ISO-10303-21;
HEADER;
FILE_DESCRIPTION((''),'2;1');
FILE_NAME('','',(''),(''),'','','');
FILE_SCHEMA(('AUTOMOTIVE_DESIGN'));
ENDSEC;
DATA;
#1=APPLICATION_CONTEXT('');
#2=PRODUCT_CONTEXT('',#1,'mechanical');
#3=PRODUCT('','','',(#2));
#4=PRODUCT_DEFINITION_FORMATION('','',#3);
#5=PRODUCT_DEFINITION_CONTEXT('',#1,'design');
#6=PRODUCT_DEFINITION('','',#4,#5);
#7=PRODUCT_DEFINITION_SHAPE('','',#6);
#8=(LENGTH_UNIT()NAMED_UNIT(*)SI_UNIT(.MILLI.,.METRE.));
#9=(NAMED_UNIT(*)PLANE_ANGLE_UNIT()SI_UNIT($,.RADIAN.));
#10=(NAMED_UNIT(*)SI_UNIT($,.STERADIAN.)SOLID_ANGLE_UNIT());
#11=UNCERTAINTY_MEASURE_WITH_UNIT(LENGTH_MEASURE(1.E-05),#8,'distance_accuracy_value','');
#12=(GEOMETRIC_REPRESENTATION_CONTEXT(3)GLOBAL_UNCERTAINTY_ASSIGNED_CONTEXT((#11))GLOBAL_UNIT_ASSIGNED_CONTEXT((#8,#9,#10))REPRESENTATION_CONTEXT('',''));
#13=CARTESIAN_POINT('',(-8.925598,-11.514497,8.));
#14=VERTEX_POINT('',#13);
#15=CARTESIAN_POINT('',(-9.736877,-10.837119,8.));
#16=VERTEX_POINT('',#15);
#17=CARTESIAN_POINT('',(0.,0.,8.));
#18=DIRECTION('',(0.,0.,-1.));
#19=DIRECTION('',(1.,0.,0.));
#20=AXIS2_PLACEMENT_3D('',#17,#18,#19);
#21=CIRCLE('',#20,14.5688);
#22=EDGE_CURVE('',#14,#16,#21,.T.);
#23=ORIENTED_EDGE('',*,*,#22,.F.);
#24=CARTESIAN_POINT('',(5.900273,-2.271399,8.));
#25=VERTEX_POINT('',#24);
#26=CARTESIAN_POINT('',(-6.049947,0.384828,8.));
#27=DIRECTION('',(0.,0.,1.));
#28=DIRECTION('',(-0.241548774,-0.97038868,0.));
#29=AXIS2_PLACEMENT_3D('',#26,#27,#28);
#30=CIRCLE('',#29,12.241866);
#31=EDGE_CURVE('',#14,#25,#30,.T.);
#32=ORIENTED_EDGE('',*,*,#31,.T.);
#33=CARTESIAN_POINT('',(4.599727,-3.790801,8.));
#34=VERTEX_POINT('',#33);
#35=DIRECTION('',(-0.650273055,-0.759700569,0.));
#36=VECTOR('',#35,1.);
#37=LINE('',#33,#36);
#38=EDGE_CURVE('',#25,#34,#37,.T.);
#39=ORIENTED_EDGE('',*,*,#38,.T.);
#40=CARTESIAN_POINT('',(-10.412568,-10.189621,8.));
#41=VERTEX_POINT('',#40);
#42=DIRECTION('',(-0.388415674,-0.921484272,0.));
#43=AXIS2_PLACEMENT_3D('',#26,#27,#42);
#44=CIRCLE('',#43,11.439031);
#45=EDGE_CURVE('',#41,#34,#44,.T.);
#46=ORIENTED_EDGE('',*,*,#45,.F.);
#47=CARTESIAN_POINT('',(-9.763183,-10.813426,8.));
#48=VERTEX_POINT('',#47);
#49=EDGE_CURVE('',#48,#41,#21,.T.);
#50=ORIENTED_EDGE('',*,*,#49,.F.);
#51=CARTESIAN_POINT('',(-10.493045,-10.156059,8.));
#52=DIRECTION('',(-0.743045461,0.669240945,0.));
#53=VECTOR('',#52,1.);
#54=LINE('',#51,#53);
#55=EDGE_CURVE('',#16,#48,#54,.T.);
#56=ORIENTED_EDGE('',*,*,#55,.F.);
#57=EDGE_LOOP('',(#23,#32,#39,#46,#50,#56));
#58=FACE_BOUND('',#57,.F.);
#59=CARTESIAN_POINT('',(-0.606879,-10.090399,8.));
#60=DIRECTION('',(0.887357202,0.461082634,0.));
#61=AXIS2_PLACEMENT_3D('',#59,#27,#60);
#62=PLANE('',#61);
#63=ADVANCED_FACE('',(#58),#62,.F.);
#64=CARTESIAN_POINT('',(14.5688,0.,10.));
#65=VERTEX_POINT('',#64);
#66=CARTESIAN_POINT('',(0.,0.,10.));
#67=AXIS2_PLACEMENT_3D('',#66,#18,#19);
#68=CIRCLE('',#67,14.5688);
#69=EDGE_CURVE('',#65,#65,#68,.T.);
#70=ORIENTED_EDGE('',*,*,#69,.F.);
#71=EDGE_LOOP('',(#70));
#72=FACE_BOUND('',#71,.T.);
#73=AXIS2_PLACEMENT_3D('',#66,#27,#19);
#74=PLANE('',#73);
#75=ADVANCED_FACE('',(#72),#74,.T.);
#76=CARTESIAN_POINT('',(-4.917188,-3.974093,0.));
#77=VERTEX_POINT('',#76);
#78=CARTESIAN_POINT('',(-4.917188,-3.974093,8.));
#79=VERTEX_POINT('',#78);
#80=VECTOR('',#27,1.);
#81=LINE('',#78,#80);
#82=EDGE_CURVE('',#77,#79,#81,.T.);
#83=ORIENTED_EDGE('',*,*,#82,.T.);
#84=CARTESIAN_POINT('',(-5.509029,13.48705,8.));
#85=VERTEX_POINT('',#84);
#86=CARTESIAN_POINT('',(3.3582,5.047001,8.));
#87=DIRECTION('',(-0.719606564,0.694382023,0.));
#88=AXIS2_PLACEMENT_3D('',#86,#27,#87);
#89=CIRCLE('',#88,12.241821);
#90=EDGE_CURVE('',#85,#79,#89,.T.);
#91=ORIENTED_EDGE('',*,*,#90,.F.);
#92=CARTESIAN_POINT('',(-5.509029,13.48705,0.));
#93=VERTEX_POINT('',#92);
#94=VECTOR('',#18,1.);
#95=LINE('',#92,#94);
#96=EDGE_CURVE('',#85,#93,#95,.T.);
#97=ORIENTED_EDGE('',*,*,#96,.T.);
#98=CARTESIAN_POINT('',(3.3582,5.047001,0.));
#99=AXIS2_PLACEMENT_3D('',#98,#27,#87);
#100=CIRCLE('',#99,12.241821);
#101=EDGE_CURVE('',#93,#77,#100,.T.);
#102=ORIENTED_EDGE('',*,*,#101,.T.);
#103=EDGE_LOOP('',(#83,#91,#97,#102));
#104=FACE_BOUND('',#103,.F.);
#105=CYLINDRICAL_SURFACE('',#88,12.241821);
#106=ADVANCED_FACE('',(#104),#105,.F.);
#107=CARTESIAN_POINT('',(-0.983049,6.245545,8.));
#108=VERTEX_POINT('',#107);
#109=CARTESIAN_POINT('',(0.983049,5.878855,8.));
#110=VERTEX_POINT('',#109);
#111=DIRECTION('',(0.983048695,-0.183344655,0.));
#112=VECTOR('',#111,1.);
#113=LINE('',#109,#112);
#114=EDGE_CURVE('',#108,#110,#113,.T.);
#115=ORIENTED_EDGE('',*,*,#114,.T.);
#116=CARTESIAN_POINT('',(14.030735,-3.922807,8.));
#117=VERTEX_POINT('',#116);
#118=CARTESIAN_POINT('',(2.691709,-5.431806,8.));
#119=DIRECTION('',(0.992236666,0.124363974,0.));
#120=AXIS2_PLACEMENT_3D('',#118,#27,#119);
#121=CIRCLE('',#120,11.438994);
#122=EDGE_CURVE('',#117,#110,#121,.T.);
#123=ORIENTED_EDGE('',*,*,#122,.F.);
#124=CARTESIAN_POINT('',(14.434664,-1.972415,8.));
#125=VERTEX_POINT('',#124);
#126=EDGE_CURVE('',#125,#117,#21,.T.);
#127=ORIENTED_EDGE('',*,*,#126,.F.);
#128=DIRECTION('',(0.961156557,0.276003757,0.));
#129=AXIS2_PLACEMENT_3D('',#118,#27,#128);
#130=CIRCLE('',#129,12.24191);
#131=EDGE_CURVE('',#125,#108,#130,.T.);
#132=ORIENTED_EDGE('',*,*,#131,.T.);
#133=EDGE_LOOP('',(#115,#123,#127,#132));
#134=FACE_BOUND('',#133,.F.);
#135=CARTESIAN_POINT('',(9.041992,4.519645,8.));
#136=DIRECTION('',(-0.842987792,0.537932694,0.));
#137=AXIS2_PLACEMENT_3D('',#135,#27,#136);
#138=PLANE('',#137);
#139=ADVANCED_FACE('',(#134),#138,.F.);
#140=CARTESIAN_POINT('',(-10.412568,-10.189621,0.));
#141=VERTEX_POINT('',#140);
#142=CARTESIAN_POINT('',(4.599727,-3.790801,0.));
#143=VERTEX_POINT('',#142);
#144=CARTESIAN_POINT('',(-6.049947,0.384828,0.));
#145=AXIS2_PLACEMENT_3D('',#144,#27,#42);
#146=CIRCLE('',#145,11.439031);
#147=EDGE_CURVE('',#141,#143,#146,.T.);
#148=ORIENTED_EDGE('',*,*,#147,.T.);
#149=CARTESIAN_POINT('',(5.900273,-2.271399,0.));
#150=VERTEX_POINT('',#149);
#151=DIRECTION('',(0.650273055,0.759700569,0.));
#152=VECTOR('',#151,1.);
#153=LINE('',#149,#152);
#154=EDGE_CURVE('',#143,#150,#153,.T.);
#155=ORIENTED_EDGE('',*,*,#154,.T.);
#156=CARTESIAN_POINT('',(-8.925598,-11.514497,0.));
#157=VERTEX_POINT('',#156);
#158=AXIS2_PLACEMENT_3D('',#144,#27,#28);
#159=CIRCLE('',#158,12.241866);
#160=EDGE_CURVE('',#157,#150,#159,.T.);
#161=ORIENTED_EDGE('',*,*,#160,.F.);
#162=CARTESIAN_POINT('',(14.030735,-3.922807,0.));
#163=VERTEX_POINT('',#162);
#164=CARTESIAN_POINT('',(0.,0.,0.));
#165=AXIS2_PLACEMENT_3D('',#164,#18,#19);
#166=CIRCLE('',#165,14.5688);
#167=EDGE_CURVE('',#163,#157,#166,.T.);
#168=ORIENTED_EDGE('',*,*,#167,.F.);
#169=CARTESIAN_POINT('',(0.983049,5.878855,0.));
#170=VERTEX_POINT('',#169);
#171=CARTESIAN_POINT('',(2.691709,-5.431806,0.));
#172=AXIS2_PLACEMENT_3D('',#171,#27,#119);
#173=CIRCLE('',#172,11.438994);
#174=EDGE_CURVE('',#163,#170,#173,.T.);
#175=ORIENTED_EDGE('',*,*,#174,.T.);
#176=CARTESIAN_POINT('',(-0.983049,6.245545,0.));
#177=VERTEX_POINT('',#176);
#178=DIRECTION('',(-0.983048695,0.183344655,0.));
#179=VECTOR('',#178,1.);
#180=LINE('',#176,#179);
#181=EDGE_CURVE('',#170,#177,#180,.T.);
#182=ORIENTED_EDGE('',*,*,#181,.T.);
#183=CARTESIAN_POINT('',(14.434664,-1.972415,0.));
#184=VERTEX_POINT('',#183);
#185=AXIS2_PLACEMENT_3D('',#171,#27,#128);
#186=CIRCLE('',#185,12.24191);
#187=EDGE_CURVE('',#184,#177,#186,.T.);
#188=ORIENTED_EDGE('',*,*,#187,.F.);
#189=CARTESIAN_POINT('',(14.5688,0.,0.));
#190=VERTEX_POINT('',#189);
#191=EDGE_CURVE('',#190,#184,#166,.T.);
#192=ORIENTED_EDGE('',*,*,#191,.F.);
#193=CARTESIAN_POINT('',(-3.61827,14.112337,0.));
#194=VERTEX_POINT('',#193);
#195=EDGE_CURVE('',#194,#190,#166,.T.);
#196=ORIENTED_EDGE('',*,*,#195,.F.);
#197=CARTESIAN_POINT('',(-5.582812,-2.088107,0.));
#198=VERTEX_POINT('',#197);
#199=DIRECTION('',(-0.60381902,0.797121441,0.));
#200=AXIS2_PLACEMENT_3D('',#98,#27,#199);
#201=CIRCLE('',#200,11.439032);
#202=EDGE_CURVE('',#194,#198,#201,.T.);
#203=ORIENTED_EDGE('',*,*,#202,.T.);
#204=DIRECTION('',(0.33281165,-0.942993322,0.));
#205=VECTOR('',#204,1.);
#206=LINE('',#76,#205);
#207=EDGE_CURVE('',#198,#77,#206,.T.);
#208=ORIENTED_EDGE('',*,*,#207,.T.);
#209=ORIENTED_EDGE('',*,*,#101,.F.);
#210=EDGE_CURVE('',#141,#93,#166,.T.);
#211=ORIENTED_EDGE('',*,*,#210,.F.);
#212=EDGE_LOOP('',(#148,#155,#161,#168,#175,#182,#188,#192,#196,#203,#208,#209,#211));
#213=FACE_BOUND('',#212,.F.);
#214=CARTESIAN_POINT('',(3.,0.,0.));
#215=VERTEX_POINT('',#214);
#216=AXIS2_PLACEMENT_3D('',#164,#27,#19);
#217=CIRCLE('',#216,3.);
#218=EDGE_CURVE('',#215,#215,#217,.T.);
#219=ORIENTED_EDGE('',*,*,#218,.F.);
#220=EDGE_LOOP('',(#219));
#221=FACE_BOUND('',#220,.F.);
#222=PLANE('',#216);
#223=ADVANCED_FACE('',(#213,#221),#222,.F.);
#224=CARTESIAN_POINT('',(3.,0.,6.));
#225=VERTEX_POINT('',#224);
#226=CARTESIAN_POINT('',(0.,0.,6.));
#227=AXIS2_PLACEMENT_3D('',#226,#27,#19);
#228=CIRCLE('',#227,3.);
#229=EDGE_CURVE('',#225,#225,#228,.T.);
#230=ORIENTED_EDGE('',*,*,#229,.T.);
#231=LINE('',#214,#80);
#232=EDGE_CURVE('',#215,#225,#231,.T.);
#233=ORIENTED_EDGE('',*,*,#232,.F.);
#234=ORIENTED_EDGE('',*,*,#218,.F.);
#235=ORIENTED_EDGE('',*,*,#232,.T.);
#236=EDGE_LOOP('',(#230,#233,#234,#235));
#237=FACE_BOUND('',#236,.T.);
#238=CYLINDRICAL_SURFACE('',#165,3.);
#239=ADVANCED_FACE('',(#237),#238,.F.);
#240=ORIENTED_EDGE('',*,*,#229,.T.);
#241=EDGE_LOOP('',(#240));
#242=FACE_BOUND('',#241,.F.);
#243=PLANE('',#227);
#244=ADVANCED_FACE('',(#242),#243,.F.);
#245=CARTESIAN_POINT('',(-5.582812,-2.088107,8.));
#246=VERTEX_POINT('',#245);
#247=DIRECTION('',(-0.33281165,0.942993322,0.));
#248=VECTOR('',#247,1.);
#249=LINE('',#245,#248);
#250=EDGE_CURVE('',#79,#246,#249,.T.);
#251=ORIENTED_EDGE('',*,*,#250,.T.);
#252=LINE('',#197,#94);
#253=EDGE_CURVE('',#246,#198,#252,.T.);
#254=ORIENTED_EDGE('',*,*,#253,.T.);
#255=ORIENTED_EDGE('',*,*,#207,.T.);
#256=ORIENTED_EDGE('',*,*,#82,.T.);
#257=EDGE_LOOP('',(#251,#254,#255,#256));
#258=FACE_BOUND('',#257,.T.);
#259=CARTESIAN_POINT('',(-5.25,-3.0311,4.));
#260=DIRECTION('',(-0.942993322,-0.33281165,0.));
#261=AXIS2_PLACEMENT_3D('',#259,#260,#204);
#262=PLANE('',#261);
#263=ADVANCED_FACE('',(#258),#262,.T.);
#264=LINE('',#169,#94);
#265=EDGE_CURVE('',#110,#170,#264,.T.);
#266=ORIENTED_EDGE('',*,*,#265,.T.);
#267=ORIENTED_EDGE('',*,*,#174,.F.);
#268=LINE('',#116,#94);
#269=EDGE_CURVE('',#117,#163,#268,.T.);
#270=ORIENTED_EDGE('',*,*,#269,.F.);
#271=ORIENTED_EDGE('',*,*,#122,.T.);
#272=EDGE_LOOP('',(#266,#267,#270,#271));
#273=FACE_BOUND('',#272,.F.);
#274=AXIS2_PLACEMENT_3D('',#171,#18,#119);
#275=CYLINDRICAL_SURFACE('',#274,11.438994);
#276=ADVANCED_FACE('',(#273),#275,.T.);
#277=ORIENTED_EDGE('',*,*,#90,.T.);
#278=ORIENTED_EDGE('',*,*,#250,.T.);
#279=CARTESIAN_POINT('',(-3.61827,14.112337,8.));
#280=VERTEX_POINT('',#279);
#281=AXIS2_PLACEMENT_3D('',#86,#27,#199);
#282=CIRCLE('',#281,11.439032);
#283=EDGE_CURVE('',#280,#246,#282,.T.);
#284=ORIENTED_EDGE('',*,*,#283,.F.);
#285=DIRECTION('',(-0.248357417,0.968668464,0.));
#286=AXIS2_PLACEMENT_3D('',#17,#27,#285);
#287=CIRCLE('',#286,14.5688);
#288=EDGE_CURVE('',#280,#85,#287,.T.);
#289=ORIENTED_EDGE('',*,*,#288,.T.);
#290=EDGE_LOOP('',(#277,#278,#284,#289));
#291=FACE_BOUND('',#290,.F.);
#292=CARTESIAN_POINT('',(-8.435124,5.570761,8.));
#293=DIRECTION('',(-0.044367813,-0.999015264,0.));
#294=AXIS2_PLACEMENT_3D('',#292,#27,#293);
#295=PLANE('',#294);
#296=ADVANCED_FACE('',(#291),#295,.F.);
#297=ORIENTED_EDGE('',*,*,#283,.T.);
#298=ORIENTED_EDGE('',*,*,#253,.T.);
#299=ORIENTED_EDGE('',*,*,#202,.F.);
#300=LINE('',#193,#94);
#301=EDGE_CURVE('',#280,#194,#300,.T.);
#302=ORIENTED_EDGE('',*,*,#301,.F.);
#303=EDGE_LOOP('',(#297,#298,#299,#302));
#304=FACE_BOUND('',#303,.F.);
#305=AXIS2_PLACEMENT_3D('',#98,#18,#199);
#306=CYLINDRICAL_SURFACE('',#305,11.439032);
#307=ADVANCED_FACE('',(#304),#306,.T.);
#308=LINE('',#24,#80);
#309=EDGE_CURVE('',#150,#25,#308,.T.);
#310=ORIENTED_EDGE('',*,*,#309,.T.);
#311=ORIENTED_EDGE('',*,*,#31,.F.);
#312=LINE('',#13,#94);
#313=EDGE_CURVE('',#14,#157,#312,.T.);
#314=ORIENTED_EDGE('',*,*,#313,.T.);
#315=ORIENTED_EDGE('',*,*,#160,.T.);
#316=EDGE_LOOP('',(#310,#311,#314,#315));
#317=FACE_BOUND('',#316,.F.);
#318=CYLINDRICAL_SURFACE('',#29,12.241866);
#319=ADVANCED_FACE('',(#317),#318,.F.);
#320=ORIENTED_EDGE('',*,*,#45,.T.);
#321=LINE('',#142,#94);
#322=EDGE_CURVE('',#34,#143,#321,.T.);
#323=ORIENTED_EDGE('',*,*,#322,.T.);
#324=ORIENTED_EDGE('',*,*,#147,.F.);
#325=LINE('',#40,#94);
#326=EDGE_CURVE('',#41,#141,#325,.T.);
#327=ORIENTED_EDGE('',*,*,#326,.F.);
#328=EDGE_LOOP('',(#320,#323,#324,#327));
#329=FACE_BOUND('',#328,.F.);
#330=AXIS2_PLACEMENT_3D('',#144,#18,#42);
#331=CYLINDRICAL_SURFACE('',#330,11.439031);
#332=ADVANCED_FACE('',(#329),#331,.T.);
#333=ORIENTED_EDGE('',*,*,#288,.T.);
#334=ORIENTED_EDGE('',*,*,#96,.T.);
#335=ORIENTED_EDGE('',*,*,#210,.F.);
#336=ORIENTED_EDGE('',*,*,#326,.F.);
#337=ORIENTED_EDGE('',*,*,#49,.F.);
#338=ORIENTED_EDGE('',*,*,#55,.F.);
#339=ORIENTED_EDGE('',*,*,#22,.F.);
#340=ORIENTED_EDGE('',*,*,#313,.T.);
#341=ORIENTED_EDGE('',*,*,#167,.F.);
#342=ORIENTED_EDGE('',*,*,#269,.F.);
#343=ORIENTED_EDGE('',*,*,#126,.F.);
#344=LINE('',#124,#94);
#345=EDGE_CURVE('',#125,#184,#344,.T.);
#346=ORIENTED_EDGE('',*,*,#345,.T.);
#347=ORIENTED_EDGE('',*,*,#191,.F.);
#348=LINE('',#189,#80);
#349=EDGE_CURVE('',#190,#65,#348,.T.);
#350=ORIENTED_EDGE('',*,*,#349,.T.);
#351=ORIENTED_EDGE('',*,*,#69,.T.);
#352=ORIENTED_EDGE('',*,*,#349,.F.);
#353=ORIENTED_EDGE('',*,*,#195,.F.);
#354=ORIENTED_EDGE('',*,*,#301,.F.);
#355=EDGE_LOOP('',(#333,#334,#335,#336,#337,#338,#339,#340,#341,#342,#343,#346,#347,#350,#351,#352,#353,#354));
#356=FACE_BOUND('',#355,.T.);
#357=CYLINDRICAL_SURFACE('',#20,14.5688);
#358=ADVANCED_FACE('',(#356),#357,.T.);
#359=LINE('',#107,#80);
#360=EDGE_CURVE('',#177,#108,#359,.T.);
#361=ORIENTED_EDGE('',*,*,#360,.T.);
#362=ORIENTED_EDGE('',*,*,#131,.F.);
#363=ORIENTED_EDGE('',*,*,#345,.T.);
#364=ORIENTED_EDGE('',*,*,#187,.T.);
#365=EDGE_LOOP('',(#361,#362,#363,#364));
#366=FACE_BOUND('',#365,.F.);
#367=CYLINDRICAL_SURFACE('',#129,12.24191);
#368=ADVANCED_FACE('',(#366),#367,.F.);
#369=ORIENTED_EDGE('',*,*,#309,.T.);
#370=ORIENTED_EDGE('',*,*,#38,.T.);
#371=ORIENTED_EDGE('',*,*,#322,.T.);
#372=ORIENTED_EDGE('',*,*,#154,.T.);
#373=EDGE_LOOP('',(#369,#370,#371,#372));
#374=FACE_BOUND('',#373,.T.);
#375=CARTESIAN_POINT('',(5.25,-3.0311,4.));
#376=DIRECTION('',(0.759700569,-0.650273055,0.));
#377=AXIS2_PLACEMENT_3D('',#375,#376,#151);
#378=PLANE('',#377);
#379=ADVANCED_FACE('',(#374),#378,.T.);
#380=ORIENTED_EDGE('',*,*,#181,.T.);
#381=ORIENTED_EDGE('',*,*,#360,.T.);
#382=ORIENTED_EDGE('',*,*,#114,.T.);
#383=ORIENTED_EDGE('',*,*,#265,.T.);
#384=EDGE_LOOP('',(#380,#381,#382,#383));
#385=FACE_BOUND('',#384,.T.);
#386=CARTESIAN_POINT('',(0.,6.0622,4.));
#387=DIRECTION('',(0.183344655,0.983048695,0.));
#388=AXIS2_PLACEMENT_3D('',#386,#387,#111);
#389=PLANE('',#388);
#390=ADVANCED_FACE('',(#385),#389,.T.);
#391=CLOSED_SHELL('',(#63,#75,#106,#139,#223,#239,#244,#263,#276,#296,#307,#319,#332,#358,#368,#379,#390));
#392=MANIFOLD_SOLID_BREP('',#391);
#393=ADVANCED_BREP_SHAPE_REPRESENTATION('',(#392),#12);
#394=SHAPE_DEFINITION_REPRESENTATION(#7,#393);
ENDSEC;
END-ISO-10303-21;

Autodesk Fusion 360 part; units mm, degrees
sketch "Sketch1" plane through (0, 0, 0) normal (0, 0, 1) x (1, 0, 0)
  circle A0 centre (0, 0) radius 3
  circle A1 centre (0, 0) radius 6.0622 construction
  line L0 (0, 6.0622) -> (-5.25, -3.0311) construction
  line L1 (5.25, -3.0311) -> (0, 6.0622) construction
  line L2 (-5.25, -3.0311) -> (5.25, -3.0311) construction
  circle A2 centre (0, 0) radius 14.5688
  arc A3 (14.25, -3.0311) -> (0, 6.0622) centre (2.6917, -5.4318) ccw
  arc A4 (-4.5, 13.8564) -> (-5.25, -3.0311) centre (3.3582, 5.047) ccw
  arc A5 (-9.75, -10.8253) -> (5.25, -3.0311) centre (-6.05, 0.3848) ccw
  point P0 (-4.5, 13.8564)
  point P1 (-9.75, -10.8253)
  point P2 (14.25, -3.0311)
  dimension "d1" = 6
  dimension "d2" = 10.5
  dimension "d3" = 9
extrude "Extrude1" add sketch "Sketch1" along normal blind 8 contours A0 | A2
extrude "Extrude2" cut sketch "Sketch1" along normal blind 5 contours A0
ref_plane "WorkPlane1" through (-9.75, -10.8253, 0) normal (-0.6692, -0.743, 0) x (0.743, -0.6692, 0)
sketch "Sketch2" plane through (-9.75, -10.8253, 0) normal (-0.6692, -0.743, 0) x (0.743, -0.6692, 0)
  line L0 (1, 0) -> (-1, 0)
  line L1 (-1, 0) -> (-1, 8)
  line L2 (-1, 8) -> (1, 8)
  line L3 (1, 8) -> (1, 0)
  dimension "d8" = 8
  dimension "d9" = 2
extrude "Extrude3" add 1 faces at (3.5599, 4.2905, 8) along direction (0, 0, 1) blind 2
ref_plane "WorkPlane2" through (-4.5, 13.8564, 0) normal (-0.3089, 0.9511, 0) x (-0.9511, -0.3089, 0)
sketch "Sketch3" plane through (-4.5, 13.8564, 0) normal (-0.3089, 0.9511, 0) x (-0.9511, -0.3089, 0)
  line L0 (1, 0) -> (-1, 0)
  line L1 (-1, 0) -> (-1, 8)
  line L2 (-1, 8) -> (1, 8)
  line L3 (1, 8) -> (1, 0)
  dimension "d12" = 8
  dimension "d13" = 2
sweep "Sweep1" cut profiles "Sketch3" path "Sketch1" along A4 section 1
sweep "Sweep2" cut profiles "Sketch2" path "Sketch1" along A5 section 1
ref_plane "WorkPlane3" through (14.25, -3.0311, 0) normal (0.9781, -0.2081, 0) x (0.2081, 0.9781, 0)
sketch "Sketch4" plane through (14.25, -3.0311, 0) normal (0.9781, -0.2081, 0) x (0.2081, 0.9781, 0)
  line L0 (-1, 8) -> (1, 8)
  line L1 (1, 8) -> (1, 0)
  line L2 (1, 0) -> (-1, 0)
  line L3 (-1, 0) -> (-1, 8)
  dimension "d26" = 8
  dimension "d27" = 2
sweep "Sweep3" cut profiles "Sketch4" path "Sketch1" along A3 section 1
extrude "Extrude4" cut sketch "Sketch1" along normal blind 6 contours A0
